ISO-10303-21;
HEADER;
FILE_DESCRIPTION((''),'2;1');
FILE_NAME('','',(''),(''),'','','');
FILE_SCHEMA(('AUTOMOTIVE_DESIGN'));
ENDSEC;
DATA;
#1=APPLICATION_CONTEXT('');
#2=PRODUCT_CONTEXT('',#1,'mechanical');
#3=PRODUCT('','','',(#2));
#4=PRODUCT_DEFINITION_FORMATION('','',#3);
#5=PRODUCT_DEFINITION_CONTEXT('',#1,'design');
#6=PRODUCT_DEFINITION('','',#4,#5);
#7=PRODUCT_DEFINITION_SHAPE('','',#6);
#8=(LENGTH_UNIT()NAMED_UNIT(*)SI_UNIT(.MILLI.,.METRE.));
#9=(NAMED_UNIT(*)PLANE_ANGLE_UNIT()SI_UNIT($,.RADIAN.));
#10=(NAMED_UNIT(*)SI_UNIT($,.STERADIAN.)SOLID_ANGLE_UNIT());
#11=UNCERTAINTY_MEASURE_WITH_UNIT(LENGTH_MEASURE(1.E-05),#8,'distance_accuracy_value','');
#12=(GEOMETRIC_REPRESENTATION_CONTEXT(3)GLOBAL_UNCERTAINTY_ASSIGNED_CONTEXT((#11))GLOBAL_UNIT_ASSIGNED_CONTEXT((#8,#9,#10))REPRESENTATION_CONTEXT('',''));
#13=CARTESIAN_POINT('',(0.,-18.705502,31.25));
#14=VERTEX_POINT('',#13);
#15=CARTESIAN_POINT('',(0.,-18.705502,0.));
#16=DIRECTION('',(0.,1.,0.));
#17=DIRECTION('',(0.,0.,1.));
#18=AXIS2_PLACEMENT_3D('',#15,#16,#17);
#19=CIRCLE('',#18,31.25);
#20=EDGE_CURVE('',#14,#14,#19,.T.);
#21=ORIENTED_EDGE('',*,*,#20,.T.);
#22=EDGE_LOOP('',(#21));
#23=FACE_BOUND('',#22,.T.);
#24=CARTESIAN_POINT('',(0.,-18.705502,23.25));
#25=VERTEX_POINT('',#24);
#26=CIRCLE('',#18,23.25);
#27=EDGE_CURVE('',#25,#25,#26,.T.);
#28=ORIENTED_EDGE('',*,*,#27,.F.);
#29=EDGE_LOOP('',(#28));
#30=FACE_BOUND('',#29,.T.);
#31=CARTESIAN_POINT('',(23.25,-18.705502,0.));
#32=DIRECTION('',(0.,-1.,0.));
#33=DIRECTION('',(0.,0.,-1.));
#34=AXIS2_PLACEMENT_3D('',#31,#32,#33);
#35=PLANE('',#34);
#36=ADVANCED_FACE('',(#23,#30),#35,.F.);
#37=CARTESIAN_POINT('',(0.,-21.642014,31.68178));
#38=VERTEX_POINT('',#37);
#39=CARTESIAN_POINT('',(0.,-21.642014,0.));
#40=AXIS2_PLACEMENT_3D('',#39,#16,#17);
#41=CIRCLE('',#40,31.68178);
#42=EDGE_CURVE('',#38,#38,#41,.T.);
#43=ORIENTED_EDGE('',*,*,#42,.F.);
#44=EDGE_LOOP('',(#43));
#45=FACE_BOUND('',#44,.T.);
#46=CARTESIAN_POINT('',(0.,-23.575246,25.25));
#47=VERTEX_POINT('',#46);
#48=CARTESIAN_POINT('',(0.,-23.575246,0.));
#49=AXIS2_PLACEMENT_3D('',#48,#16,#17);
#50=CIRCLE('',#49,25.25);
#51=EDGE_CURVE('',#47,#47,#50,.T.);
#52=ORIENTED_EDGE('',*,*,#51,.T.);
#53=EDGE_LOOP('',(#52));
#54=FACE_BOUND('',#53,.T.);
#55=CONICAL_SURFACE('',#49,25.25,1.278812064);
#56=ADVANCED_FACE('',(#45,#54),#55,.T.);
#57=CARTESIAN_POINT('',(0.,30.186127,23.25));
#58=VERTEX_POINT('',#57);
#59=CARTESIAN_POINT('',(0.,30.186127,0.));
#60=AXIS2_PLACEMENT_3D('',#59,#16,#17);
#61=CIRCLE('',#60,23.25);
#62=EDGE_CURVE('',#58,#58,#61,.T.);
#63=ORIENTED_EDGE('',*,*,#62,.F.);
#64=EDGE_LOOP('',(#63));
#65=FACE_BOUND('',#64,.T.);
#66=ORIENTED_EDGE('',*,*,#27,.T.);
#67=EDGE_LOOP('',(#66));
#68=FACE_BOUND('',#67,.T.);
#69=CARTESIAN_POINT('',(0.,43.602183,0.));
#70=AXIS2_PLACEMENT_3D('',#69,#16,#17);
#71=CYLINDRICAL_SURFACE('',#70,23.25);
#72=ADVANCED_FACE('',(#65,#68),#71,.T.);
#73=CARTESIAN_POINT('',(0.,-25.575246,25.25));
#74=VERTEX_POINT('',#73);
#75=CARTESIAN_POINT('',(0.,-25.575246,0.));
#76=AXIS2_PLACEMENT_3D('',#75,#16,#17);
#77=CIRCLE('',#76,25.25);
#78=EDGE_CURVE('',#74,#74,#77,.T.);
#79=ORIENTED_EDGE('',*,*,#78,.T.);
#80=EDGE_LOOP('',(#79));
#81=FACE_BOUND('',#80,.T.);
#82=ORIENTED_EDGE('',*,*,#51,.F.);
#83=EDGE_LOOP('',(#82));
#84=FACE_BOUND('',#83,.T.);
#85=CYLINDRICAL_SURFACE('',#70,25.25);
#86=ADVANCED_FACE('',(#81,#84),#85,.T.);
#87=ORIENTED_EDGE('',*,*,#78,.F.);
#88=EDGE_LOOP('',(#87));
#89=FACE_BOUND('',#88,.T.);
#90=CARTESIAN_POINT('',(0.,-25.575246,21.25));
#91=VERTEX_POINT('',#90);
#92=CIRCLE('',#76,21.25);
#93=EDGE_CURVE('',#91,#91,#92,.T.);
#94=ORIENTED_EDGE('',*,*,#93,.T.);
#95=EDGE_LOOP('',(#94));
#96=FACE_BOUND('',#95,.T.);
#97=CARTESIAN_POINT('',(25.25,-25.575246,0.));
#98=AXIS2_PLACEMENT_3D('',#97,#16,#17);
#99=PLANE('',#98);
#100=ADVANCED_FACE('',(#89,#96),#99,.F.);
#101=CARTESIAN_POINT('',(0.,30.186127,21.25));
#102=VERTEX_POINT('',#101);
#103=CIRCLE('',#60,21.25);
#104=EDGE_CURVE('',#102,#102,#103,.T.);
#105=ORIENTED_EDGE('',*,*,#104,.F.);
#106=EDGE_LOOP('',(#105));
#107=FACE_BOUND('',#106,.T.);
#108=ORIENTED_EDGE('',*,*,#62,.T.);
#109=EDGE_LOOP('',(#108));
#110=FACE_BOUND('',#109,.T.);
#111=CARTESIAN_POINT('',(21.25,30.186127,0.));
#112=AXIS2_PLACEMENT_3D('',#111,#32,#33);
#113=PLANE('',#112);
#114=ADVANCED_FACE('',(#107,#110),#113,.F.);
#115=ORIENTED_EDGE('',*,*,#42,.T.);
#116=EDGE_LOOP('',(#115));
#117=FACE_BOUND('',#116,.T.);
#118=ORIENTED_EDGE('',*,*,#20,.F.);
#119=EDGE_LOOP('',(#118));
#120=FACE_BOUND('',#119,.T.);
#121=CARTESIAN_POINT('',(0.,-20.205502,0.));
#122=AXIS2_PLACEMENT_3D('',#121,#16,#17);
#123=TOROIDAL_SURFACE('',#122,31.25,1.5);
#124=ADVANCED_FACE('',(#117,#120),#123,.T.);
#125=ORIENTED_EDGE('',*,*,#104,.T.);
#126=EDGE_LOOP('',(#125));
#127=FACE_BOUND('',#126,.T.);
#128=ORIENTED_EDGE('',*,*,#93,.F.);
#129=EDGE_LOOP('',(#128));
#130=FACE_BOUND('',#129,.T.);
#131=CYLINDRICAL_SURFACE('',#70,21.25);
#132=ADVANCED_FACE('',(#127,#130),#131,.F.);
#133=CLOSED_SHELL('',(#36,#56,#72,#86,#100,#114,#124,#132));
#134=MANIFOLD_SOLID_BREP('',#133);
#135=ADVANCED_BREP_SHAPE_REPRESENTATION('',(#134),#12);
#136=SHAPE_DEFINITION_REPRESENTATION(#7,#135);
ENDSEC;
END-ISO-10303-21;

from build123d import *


with BuildPart() as part:
    # Sketch1 → Revolve1 (revolve)
    with BuildSketch(Plane.XY, mode=Mode.PRIVATE) as revolve1_sk:
        with BuildLine():
            Line((21.25, 30.186126987), (23.25, 30.186126987))
            Line((23.25, 30.186126987), (23.25, -18.705501629))
            Line((23.25, -18.705501629), (31.25, -18.705501629))
            ThreePointArc((31.25, -18.705501629), (32.734043095, -19.987290512), (31.681779603, -21.642013507))
            Line((31.681779603, -21.642013507), (25.25, -23.575245866))
            Line((25.25, -23.575245866), (25.25, -25.575245866))
            Line((25.25, -25.575245866), (21.25, -25.575245866))
            Line((21.25, -25.575245866), (21.25, 30.186126987))
        make_face()
    revolve(revolve1_sk.sketch.rotate(Axis((0, 43.602183426, 0), (0, -1, 0)), 90), axis=Axis((0, 43.602183426, 0), (0, -1, 0)))


solid = part.part
